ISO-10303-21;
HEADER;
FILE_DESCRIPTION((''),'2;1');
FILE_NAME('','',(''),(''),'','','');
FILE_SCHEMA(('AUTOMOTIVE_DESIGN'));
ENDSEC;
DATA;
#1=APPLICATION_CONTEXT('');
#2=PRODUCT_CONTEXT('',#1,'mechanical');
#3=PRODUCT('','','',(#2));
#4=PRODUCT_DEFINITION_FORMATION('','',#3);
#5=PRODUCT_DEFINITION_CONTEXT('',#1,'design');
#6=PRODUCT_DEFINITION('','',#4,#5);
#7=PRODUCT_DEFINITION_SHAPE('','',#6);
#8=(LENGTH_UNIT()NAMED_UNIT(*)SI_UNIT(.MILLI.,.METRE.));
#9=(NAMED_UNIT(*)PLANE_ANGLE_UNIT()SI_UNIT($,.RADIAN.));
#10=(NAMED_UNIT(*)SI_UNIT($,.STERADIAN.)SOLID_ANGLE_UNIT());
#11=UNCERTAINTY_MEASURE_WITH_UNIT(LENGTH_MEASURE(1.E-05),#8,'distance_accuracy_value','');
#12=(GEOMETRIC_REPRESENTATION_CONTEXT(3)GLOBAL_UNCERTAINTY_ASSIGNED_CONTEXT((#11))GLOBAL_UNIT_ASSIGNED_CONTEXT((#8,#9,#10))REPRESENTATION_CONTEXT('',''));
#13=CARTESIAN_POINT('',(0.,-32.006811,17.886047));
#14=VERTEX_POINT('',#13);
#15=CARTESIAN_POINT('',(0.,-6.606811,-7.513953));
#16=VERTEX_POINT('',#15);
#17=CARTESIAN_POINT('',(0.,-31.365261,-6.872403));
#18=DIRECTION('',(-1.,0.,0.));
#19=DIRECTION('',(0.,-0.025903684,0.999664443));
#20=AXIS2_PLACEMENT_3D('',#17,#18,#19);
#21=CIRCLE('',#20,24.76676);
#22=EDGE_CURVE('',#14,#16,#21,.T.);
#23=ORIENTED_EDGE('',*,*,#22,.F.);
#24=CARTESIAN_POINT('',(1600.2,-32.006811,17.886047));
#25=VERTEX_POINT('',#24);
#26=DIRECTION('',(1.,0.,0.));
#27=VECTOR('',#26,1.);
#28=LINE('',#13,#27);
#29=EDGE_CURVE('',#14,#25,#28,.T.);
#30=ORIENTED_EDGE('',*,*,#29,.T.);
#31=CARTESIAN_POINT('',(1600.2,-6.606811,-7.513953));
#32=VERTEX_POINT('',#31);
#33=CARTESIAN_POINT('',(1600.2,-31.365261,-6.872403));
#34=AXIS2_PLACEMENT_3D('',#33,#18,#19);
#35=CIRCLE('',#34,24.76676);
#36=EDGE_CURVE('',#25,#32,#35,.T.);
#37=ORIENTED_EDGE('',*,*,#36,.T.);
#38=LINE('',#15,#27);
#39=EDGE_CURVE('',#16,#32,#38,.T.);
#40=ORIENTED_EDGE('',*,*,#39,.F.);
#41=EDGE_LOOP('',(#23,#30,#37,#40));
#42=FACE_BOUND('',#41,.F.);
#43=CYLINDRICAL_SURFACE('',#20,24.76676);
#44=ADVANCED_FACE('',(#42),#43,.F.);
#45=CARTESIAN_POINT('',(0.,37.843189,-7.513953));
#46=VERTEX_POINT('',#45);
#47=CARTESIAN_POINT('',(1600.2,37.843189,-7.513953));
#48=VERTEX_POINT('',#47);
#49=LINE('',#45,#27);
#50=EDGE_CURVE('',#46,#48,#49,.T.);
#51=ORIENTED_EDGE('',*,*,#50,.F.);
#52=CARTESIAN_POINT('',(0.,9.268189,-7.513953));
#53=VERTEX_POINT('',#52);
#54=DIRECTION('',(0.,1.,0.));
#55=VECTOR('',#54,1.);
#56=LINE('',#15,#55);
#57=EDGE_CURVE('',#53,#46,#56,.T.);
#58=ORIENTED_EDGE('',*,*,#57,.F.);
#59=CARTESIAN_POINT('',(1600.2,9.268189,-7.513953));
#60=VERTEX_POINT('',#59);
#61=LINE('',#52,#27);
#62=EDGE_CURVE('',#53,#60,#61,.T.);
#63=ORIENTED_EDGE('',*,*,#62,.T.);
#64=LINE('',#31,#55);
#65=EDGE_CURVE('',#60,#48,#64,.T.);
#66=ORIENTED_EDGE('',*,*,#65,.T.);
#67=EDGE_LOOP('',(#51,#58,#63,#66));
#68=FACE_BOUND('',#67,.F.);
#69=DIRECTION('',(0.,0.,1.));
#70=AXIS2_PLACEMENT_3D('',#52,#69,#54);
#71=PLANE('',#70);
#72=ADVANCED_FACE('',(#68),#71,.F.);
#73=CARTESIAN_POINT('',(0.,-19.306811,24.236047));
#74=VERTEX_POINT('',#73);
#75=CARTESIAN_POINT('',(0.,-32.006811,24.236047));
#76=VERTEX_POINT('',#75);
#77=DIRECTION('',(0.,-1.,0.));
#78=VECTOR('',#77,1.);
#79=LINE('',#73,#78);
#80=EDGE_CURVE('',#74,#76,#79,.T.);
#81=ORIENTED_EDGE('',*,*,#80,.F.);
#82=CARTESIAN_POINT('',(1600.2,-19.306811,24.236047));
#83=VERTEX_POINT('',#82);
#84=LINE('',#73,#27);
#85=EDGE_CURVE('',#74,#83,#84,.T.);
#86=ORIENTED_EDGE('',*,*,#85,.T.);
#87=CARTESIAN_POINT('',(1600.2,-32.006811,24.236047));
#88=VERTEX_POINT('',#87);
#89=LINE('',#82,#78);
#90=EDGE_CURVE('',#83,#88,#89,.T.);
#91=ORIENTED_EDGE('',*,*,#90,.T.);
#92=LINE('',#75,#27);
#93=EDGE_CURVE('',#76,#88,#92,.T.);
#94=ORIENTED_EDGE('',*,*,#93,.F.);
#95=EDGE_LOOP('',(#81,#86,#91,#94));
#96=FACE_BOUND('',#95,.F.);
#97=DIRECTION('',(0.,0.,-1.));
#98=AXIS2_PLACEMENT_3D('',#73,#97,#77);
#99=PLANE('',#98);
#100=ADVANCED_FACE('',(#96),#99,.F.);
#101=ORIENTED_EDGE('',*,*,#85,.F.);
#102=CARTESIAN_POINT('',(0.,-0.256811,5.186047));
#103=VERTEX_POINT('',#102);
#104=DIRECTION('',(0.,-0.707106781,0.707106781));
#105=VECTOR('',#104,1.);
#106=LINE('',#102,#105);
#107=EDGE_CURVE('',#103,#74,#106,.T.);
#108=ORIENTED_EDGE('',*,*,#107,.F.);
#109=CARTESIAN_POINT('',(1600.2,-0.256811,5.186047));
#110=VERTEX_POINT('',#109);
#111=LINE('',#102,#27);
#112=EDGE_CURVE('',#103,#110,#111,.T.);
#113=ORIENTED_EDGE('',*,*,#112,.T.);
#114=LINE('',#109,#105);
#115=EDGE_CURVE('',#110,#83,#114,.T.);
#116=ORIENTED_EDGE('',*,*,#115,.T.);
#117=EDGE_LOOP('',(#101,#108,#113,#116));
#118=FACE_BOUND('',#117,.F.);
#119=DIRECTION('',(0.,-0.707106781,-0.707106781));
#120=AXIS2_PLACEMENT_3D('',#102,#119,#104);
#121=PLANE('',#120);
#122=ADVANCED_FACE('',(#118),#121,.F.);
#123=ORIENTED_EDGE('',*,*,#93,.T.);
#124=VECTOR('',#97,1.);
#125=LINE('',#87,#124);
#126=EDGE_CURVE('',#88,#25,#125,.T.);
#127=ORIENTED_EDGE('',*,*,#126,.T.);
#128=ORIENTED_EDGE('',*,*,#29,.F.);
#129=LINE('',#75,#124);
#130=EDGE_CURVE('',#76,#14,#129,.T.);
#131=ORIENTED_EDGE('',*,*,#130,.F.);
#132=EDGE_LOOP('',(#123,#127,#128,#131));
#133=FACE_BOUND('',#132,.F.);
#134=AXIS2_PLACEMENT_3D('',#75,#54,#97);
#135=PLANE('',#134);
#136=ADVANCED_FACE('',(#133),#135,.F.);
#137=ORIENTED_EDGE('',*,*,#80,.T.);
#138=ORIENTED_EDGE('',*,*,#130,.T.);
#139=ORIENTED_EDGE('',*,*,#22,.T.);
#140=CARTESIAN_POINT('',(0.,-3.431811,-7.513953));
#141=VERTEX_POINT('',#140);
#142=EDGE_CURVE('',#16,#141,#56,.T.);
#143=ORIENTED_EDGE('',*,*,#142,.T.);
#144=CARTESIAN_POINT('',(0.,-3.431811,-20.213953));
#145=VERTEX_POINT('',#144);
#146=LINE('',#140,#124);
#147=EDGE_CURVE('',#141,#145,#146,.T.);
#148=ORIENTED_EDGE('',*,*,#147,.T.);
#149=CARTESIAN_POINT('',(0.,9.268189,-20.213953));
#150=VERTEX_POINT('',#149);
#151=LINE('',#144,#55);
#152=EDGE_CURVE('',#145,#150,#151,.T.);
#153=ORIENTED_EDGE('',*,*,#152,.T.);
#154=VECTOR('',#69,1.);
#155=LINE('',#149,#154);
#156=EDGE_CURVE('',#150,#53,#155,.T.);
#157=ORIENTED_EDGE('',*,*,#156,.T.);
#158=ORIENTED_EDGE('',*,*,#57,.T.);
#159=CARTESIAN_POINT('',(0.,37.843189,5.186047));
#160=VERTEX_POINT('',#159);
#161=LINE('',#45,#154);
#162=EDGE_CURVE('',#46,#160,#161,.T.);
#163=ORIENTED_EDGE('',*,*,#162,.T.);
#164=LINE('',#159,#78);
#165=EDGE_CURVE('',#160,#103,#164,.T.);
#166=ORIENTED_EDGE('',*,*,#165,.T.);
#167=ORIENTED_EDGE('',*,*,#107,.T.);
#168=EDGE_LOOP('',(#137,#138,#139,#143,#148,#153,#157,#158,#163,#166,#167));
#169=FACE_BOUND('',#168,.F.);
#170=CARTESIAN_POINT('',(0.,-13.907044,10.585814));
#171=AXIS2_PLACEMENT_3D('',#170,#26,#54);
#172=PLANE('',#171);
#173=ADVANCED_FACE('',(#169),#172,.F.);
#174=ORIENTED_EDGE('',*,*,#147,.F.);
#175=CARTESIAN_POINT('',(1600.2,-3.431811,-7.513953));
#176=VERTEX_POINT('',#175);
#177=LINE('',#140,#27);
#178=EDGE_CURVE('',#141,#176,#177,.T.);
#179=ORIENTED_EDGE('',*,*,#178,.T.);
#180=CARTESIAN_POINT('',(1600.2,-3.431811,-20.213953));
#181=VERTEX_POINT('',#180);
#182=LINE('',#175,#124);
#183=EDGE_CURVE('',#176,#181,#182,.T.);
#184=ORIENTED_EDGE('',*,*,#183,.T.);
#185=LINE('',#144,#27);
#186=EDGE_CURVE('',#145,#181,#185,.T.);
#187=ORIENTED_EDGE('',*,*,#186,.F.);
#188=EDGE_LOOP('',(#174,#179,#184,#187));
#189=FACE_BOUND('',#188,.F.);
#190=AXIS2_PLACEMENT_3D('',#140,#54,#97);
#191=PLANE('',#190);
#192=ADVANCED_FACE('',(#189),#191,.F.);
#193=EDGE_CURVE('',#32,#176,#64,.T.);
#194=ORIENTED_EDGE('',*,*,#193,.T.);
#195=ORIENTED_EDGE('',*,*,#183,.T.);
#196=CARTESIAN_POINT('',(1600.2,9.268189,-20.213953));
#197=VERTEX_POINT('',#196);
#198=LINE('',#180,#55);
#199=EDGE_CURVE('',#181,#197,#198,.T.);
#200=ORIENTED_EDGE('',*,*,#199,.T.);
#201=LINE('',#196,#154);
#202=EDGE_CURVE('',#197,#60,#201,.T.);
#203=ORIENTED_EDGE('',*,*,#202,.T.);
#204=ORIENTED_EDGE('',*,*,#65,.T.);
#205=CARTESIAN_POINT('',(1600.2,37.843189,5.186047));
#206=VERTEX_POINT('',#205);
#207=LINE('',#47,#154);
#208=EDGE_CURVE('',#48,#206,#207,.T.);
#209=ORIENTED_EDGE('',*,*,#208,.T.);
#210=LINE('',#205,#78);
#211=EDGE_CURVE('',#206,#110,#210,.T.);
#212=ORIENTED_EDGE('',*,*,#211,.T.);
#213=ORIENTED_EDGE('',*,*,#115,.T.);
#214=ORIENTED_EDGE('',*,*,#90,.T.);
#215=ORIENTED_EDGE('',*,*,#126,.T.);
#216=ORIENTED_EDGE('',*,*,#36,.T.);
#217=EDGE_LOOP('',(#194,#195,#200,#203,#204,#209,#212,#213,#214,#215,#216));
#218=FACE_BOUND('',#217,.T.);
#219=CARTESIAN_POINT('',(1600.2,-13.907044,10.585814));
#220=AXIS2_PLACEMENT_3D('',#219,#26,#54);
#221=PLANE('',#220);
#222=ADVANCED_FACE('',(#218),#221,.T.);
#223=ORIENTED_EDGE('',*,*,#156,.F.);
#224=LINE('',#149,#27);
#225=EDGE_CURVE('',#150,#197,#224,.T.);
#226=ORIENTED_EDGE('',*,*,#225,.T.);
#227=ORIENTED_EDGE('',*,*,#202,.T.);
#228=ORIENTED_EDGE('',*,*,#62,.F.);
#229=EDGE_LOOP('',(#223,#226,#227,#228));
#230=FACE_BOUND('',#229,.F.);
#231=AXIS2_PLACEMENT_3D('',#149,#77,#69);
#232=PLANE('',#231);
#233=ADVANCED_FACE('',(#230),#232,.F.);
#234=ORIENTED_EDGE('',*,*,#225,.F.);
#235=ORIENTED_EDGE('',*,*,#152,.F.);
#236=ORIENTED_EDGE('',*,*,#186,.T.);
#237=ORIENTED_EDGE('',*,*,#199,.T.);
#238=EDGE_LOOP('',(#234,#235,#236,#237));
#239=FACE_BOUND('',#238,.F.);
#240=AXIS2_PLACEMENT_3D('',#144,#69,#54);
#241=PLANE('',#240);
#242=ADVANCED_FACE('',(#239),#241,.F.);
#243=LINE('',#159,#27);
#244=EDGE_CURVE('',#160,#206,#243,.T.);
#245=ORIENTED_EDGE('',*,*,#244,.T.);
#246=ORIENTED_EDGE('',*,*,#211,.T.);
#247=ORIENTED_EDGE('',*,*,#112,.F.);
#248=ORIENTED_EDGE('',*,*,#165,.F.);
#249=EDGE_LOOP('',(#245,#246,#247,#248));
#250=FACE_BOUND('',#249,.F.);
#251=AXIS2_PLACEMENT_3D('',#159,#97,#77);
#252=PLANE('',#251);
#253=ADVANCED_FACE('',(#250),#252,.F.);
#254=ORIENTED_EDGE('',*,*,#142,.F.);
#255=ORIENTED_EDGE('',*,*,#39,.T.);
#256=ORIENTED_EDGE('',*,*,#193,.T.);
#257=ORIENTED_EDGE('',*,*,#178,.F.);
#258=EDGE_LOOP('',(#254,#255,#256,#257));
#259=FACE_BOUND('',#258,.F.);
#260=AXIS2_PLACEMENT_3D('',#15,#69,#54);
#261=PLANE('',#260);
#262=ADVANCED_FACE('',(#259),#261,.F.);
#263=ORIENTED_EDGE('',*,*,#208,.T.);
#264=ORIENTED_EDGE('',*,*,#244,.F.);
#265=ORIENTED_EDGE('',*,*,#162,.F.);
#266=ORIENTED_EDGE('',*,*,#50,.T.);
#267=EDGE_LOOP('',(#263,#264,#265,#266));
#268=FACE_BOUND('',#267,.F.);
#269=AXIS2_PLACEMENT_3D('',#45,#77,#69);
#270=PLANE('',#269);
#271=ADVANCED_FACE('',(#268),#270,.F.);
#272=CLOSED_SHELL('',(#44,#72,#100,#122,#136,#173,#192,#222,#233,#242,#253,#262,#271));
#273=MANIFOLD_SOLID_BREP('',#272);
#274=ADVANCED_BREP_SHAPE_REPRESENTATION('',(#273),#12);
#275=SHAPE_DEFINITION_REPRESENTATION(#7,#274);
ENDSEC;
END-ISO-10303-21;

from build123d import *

# Parameters (mm, degrees)
F1_DEPTH = 1600.2


with BuildPart() as f1:
    # F0 (on Right) → F1 (new body)
    with BuildSketch(Plane.YZ):
        with BuildLine():
            Line((-32.006811, 24.236047), (-32.006811, 17.886047))
            ThreePointArc((-32.006811, 17.886047), (-13.852516, 10.640341), (-6.606811, -7.513953))
            Line((-6.606811, -7.513953), (-3.431811, -7.513953))
            Line((-3.431811, -7.513953), (-0.256811, -7.513953))
            Line((-0.256811, -7.513953), (-0.256811, 5.186047))
            Line((-0.256811, 5.186047), (-19.306811, 24.236047))
            Line((-19.306811, 24.236047), (-32.006811, 24.236047))
        make_face()
        Polygon((37.843189, 5.186047), (-0.256811, 5.186047), (-0.256811, -7.513953), (9.268189, -7.513953), (37.843189, -7.513953), align=None)
        Polygon((-0.256811, -7.513953), (-3.431811, -7.513953), (-3.431811, -20.213953), (9.268189, -20.213953), (9.268189, -7.513953), align=None)
    extrude(amount=F1_DEPTH)


solid = f1.part
